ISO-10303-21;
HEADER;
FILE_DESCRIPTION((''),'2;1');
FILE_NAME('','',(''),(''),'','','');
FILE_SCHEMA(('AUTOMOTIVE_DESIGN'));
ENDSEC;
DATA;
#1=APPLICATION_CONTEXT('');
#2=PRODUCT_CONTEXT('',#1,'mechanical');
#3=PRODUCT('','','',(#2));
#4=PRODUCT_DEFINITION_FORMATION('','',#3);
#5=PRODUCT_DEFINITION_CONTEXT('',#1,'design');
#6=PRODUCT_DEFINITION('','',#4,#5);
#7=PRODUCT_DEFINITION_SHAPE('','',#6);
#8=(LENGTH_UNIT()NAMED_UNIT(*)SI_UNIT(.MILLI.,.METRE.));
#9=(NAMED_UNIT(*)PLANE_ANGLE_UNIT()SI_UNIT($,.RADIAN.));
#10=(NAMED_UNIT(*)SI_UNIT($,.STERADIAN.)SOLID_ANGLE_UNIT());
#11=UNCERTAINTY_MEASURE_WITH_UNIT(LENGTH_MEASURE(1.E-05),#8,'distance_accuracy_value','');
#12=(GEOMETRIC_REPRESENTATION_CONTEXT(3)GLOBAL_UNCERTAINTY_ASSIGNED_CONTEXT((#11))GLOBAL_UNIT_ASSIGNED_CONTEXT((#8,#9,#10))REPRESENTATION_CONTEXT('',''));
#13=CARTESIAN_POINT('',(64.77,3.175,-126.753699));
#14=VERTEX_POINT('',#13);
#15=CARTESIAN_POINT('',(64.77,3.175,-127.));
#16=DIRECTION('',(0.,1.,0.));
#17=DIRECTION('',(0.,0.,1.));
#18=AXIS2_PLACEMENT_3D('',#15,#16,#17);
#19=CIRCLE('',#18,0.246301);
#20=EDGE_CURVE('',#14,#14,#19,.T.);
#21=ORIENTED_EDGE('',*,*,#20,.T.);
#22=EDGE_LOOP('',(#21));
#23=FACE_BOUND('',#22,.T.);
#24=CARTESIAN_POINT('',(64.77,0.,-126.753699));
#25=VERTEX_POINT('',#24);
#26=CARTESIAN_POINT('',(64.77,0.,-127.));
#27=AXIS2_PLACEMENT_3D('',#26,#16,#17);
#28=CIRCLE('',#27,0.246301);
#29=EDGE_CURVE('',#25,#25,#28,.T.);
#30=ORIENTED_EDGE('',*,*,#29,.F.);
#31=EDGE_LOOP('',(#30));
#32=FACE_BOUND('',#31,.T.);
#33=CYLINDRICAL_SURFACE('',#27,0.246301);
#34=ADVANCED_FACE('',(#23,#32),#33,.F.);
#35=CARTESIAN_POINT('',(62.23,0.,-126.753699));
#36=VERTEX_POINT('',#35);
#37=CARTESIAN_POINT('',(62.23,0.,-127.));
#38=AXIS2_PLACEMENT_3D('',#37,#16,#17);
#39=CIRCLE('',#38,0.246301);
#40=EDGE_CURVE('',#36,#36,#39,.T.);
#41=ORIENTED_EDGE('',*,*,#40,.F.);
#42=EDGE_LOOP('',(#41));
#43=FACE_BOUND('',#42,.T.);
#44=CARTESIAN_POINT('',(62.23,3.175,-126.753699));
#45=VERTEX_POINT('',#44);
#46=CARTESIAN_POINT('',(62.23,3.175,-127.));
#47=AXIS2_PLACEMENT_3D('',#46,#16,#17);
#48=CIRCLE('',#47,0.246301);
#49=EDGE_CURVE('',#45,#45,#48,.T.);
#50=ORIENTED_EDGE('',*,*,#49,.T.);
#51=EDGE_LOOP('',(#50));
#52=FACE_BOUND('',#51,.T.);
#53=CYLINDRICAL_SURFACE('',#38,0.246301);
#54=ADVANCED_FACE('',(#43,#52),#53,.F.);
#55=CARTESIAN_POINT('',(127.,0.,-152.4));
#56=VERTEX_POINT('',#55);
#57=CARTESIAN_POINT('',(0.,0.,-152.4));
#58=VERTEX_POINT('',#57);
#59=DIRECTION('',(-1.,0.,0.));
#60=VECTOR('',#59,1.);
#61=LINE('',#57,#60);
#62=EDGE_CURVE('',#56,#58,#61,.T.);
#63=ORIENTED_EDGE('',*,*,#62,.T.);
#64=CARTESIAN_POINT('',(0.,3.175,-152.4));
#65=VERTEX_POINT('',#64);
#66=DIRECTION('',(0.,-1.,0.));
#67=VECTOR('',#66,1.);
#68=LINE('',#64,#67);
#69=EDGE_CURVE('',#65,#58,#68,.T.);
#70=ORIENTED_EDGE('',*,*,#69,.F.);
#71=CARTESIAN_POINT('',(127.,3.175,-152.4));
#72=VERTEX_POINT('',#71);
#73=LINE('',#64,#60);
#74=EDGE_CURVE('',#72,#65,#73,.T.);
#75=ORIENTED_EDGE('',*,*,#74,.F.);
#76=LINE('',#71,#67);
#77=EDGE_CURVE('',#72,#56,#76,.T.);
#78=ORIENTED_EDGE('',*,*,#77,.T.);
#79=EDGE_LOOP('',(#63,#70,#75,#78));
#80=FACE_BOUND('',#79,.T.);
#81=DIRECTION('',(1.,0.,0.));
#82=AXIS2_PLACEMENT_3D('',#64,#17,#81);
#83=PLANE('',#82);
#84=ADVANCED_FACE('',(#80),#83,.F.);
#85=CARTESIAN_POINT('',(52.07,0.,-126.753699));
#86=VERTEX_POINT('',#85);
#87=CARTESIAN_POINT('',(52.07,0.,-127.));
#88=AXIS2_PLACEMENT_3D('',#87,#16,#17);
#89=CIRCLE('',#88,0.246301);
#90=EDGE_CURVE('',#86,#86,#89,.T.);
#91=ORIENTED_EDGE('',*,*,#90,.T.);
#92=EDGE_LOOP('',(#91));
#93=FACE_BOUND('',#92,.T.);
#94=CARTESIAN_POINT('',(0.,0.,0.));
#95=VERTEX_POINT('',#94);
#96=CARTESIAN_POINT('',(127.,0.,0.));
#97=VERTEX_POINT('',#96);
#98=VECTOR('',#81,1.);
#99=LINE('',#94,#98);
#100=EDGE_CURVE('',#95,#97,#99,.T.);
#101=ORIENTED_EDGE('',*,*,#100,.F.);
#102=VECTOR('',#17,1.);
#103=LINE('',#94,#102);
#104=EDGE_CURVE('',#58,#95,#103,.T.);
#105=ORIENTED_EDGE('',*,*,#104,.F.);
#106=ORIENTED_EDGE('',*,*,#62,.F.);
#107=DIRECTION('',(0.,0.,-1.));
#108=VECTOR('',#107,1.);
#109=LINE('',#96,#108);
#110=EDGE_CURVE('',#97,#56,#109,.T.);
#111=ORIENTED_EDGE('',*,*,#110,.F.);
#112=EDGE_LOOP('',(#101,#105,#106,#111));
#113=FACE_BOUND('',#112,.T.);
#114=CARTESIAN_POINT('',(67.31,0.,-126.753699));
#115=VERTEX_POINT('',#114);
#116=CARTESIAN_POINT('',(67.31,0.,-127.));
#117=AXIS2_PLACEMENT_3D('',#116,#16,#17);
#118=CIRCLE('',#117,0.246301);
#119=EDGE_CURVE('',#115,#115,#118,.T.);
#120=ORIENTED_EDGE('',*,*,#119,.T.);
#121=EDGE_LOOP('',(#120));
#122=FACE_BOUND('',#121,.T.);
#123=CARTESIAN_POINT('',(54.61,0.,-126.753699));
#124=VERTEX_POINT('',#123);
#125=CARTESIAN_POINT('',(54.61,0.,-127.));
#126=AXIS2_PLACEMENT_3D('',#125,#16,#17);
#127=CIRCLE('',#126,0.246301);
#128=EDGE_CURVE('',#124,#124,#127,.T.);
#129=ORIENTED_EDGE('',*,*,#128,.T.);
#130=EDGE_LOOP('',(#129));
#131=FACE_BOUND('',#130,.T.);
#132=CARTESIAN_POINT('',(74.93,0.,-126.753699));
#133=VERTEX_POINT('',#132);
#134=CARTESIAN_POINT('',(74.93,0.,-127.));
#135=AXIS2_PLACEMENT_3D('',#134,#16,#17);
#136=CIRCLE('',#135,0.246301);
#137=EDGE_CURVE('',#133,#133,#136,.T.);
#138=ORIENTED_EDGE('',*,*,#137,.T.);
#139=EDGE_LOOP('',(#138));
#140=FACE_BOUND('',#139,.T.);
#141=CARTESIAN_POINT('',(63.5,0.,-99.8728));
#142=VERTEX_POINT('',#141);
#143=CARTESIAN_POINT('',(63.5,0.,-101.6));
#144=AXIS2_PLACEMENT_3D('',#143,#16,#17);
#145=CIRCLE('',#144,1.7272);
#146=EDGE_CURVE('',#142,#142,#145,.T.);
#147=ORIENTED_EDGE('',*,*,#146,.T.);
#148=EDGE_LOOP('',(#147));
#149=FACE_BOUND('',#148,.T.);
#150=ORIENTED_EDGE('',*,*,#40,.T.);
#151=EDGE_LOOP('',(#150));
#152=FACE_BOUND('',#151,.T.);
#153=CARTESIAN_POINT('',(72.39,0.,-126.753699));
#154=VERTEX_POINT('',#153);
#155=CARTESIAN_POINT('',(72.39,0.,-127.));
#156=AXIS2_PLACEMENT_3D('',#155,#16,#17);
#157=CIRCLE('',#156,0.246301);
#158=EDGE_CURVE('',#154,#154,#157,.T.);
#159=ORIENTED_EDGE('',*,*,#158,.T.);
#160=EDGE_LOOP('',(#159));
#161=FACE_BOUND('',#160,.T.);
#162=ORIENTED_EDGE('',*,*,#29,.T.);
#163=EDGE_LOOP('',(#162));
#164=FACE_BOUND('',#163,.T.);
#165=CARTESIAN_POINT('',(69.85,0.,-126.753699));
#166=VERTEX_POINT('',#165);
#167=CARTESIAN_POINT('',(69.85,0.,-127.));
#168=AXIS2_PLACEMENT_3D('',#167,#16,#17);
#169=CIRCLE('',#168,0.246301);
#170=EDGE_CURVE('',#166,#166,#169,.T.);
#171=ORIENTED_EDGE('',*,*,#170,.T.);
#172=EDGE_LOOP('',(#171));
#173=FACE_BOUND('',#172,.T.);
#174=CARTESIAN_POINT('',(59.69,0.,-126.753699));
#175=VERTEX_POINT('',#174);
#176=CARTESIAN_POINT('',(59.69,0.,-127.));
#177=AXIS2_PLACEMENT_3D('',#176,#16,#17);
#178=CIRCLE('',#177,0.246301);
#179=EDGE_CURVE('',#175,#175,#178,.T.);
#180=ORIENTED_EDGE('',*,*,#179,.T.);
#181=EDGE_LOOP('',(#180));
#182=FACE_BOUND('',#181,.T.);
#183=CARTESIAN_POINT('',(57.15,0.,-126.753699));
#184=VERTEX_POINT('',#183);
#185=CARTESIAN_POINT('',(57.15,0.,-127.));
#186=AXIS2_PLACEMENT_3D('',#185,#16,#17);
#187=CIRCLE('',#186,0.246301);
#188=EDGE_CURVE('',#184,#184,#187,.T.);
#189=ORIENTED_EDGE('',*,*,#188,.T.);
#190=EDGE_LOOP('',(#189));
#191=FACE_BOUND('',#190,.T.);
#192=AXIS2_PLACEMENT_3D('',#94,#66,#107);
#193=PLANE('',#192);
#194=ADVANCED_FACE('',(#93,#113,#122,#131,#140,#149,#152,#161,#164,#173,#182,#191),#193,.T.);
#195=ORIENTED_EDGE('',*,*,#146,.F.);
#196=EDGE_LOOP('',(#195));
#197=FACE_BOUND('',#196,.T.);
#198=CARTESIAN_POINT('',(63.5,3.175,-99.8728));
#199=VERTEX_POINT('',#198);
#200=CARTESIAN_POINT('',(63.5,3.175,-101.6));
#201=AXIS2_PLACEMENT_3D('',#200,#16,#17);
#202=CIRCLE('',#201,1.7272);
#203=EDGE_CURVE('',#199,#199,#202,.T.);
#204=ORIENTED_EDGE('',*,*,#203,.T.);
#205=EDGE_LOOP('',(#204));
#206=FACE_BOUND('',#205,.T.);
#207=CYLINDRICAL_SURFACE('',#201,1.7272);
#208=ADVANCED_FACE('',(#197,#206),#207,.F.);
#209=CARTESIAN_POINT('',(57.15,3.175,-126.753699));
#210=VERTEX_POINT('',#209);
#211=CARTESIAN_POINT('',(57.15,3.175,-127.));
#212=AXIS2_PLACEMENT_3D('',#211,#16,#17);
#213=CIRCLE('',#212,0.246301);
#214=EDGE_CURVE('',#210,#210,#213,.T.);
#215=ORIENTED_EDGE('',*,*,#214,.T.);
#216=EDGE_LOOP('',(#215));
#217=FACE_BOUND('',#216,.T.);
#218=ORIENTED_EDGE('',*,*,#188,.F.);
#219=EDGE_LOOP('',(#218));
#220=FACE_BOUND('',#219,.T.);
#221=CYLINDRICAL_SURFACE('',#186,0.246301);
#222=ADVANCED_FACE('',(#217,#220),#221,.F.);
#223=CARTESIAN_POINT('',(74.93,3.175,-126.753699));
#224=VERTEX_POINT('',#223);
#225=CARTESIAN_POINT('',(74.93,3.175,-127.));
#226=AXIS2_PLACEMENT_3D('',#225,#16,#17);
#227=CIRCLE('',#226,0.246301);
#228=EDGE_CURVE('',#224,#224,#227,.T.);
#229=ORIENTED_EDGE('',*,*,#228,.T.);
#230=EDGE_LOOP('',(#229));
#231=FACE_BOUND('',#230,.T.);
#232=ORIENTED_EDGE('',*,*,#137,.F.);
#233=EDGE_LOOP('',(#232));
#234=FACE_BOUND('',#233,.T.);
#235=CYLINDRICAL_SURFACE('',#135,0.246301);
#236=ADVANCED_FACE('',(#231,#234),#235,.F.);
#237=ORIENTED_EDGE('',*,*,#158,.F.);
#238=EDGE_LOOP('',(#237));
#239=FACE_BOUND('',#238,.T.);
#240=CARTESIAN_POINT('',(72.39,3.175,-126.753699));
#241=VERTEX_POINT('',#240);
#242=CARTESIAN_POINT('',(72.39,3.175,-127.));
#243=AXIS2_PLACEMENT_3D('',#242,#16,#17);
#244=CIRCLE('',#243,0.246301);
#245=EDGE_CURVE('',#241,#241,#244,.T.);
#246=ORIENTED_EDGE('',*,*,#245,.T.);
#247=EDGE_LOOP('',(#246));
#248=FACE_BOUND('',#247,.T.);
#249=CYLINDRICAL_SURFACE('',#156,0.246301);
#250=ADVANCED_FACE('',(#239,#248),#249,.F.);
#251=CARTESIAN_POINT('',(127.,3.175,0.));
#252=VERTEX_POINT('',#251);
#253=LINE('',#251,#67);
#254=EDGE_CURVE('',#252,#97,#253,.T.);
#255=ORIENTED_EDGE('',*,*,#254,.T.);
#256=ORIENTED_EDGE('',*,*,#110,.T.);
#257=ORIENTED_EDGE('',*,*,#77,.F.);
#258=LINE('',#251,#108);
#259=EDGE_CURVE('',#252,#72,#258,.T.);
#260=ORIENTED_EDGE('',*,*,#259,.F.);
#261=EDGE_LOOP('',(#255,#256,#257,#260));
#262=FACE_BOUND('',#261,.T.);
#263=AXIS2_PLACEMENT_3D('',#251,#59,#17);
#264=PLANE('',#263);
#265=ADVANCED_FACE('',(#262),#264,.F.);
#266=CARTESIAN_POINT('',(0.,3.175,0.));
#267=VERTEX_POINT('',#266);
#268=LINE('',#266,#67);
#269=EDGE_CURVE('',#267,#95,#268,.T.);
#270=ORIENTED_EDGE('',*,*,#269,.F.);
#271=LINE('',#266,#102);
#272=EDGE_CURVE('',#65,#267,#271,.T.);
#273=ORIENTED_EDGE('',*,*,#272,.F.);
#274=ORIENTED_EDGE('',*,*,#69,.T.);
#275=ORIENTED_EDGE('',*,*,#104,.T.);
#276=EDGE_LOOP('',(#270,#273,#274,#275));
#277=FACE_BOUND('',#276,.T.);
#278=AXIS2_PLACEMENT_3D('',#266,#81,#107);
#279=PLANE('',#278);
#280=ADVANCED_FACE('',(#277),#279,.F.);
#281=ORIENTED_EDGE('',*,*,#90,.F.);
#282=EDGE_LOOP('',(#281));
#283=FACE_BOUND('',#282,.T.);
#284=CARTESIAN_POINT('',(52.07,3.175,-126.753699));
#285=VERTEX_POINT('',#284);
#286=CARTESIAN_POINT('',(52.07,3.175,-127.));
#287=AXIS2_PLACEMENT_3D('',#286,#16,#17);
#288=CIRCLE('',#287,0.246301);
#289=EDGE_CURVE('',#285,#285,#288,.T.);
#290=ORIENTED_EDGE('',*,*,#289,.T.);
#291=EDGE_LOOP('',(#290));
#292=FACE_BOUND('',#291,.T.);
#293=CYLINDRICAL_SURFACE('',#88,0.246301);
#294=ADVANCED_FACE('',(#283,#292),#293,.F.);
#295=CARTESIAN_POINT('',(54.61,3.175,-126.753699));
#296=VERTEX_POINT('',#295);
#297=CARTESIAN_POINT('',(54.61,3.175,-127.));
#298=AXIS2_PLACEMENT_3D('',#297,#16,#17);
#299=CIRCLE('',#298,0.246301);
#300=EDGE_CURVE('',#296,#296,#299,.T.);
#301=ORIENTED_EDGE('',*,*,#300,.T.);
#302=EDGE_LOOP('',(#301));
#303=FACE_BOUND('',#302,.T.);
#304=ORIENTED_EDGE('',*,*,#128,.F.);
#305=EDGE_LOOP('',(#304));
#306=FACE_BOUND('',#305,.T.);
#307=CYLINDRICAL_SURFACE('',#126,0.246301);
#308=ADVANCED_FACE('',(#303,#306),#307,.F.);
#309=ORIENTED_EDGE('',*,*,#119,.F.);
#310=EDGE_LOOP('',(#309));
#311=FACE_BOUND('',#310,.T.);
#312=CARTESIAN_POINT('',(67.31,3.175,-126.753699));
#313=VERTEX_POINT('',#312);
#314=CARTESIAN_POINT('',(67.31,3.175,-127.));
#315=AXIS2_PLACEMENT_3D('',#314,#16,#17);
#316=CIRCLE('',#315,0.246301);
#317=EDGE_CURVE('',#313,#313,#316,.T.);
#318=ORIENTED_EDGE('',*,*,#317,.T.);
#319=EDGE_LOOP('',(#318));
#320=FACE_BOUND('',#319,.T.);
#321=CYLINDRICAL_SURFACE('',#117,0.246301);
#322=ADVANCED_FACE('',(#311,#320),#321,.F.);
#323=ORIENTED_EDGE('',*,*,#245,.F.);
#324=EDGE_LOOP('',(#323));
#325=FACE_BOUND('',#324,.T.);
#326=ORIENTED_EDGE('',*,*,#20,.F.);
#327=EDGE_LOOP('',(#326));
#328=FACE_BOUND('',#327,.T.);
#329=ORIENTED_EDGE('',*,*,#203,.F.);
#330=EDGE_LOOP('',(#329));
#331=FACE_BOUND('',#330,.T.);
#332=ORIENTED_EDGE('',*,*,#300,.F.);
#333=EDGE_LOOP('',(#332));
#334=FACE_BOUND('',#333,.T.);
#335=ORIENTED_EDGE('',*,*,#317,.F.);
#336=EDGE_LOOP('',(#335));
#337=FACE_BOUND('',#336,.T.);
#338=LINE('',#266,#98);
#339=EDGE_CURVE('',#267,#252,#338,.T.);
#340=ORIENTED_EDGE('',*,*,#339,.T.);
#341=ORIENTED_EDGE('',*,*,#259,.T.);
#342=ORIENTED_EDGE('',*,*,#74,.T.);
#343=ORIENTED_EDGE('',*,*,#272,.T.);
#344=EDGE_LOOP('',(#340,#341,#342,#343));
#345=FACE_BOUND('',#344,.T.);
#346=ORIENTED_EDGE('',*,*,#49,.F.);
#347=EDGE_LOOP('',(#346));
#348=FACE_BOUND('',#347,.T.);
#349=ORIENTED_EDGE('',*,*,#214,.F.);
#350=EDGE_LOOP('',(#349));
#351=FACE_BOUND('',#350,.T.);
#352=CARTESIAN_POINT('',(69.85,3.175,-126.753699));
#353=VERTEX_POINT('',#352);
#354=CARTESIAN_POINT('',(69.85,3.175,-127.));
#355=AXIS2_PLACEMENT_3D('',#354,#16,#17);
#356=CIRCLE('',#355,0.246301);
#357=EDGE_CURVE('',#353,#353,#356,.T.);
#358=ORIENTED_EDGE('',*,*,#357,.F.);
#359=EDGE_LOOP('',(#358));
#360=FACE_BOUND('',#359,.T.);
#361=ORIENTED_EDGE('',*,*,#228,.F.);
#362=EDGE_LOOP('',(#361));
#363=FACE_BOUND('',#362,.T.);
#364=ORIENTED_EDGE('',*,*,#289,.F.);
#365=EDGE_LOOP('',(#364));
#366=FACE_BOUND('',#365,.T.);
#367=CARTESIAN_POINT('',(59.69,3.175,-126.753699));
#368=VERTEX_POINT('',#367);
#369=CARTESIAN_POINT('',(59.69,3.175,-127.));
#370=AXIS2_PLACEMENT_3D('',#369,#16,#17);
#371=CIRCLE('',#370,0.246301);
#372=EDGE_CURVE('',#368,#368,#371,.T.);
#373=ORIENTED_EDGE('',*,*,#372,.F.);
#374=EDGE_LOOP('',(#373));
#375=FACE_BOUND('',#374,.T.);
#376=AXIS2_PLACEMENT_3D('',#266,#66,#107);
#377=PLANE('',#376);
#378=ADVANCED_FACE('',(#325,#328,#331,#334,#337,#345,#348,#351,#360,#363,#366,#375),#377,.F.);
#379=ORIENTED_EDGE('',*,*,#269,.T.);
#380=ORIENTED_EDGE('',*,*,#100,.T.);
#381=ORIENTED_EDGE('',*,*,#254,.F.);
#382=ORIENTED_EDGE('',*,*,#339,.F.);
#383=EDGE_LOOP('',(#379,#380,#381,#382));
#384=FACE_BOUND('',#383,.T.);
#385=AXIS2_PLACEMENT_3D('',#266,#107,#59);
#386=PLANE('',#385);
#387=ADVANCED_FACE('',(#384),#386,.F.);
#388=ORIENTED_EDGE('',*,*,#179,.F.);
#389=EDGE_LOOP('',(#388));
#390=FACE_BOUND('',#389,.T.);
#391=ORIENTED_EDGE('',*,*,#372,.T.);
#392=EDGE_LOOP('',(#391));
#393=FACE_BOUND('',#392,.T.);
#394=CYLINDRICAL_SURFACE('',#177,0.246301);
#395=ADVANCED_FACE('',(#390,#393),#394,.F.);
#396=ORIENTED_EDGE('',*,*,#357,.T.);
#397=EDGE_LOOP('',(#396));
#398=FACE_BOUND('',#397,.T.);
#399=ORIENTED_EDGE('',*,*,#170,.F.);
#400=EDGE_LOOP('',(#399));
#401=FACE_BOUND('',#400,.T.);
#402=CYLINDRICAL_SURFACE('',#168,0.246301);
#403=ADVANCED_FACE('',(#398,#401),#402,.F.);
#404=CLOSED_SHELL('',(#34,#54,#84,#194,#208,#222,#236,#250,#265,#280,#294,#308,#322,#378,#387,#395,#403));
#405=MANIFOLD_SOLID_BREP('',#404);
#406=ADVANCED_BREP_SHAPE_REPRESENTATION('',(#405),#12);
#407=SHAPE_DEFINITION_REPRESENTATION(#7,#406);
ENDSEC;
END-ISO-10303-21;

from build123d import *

# Parameters (mm, degrees)
SKETCH1_W             = 127
SKETCH1_H             = 152.4
BOSS_EXTRUDE1_DEPTH   = 3.175
F_8_32_TAPPED_HOLE2_D = 3.4544
SKETCH8_R             = 0.246300585
CUT_EXTRUDE1_DEPTH    = 199.40574746


with BuildPart() as part:
    # Sketch1 → Boss-Extrude1 (new body)
    with BuildSketch(Plane(origin=(0, 0, 0), x_dir=(1, 0, 0), z_dir=(0, 1, 0))):
        with Locations((63.5, 76.2)):
            Rectangle(SKETCH1_W, SKETCH1_H)
    extrude(amount=BOSS_EXTRUDE1_DEPTH)

    # #8-32 Tapped Hole2 (through all)
    with Locations(Plane(origin=(63.5, 3.175, -101.6), x_dir=(0, 0, 1), z_dir=(0, 1, 0))):
        with Locations((0, 0)):
            Hole(F_8_32_TAPPED_HOLE2_D / 2)

    # Sketch8 → Cut-Extrude1 (cut, through all)
    with BuildSketch(Plane(origin=(0, 3.175, 0), x_dir=(1, 0, 0), z_dir=(0, 1, 0))):
        with Locations(Location((52.07, 127, 0), (0, 0, 270))):
            Circle(SKETCH8_R)
        with Locations(Location((54.61, 127, 0), (0, 0, 270))):
            Circle(SKETCH8_R)
        with Locations(Location((57.15, 127, 0), (0, 0, 270))):
            Circle(SKETCH8_R)
        with Locations(Location((59.69, 127, 0), (0, 0, 270))):
            Circle(SKETCH8_R)
        with Locations(Location((62.23, 127, 0), (0, 0, 270))):
            Circle(SKETCH8_R)
        with Locations(Location((64.77, 127, 0), (0, 0, 270))):
            Circle(SKETCH8_R)
        with Locations(Location((67.31, 127, 0), (0, 0, 270))):
            Circle(SKETCH8_R)
        with Locations(Location((69.85, 127, 0), (0, 0, 270))):
            Circle(SKETCH8_R)
        with Locations(Location((72.39, 127, 0), (0, 0, 270))):
            Circle(SKETCH8_R)
        with Locations(Location((74.93, 127, 0), (0, 0, 270))):
            Circle(SKETCH8_R)
    extrude(amount=-CUT_EXTRUDE1_DEPTH, mode=Mode.SUBTRACT)


solid = part.part
